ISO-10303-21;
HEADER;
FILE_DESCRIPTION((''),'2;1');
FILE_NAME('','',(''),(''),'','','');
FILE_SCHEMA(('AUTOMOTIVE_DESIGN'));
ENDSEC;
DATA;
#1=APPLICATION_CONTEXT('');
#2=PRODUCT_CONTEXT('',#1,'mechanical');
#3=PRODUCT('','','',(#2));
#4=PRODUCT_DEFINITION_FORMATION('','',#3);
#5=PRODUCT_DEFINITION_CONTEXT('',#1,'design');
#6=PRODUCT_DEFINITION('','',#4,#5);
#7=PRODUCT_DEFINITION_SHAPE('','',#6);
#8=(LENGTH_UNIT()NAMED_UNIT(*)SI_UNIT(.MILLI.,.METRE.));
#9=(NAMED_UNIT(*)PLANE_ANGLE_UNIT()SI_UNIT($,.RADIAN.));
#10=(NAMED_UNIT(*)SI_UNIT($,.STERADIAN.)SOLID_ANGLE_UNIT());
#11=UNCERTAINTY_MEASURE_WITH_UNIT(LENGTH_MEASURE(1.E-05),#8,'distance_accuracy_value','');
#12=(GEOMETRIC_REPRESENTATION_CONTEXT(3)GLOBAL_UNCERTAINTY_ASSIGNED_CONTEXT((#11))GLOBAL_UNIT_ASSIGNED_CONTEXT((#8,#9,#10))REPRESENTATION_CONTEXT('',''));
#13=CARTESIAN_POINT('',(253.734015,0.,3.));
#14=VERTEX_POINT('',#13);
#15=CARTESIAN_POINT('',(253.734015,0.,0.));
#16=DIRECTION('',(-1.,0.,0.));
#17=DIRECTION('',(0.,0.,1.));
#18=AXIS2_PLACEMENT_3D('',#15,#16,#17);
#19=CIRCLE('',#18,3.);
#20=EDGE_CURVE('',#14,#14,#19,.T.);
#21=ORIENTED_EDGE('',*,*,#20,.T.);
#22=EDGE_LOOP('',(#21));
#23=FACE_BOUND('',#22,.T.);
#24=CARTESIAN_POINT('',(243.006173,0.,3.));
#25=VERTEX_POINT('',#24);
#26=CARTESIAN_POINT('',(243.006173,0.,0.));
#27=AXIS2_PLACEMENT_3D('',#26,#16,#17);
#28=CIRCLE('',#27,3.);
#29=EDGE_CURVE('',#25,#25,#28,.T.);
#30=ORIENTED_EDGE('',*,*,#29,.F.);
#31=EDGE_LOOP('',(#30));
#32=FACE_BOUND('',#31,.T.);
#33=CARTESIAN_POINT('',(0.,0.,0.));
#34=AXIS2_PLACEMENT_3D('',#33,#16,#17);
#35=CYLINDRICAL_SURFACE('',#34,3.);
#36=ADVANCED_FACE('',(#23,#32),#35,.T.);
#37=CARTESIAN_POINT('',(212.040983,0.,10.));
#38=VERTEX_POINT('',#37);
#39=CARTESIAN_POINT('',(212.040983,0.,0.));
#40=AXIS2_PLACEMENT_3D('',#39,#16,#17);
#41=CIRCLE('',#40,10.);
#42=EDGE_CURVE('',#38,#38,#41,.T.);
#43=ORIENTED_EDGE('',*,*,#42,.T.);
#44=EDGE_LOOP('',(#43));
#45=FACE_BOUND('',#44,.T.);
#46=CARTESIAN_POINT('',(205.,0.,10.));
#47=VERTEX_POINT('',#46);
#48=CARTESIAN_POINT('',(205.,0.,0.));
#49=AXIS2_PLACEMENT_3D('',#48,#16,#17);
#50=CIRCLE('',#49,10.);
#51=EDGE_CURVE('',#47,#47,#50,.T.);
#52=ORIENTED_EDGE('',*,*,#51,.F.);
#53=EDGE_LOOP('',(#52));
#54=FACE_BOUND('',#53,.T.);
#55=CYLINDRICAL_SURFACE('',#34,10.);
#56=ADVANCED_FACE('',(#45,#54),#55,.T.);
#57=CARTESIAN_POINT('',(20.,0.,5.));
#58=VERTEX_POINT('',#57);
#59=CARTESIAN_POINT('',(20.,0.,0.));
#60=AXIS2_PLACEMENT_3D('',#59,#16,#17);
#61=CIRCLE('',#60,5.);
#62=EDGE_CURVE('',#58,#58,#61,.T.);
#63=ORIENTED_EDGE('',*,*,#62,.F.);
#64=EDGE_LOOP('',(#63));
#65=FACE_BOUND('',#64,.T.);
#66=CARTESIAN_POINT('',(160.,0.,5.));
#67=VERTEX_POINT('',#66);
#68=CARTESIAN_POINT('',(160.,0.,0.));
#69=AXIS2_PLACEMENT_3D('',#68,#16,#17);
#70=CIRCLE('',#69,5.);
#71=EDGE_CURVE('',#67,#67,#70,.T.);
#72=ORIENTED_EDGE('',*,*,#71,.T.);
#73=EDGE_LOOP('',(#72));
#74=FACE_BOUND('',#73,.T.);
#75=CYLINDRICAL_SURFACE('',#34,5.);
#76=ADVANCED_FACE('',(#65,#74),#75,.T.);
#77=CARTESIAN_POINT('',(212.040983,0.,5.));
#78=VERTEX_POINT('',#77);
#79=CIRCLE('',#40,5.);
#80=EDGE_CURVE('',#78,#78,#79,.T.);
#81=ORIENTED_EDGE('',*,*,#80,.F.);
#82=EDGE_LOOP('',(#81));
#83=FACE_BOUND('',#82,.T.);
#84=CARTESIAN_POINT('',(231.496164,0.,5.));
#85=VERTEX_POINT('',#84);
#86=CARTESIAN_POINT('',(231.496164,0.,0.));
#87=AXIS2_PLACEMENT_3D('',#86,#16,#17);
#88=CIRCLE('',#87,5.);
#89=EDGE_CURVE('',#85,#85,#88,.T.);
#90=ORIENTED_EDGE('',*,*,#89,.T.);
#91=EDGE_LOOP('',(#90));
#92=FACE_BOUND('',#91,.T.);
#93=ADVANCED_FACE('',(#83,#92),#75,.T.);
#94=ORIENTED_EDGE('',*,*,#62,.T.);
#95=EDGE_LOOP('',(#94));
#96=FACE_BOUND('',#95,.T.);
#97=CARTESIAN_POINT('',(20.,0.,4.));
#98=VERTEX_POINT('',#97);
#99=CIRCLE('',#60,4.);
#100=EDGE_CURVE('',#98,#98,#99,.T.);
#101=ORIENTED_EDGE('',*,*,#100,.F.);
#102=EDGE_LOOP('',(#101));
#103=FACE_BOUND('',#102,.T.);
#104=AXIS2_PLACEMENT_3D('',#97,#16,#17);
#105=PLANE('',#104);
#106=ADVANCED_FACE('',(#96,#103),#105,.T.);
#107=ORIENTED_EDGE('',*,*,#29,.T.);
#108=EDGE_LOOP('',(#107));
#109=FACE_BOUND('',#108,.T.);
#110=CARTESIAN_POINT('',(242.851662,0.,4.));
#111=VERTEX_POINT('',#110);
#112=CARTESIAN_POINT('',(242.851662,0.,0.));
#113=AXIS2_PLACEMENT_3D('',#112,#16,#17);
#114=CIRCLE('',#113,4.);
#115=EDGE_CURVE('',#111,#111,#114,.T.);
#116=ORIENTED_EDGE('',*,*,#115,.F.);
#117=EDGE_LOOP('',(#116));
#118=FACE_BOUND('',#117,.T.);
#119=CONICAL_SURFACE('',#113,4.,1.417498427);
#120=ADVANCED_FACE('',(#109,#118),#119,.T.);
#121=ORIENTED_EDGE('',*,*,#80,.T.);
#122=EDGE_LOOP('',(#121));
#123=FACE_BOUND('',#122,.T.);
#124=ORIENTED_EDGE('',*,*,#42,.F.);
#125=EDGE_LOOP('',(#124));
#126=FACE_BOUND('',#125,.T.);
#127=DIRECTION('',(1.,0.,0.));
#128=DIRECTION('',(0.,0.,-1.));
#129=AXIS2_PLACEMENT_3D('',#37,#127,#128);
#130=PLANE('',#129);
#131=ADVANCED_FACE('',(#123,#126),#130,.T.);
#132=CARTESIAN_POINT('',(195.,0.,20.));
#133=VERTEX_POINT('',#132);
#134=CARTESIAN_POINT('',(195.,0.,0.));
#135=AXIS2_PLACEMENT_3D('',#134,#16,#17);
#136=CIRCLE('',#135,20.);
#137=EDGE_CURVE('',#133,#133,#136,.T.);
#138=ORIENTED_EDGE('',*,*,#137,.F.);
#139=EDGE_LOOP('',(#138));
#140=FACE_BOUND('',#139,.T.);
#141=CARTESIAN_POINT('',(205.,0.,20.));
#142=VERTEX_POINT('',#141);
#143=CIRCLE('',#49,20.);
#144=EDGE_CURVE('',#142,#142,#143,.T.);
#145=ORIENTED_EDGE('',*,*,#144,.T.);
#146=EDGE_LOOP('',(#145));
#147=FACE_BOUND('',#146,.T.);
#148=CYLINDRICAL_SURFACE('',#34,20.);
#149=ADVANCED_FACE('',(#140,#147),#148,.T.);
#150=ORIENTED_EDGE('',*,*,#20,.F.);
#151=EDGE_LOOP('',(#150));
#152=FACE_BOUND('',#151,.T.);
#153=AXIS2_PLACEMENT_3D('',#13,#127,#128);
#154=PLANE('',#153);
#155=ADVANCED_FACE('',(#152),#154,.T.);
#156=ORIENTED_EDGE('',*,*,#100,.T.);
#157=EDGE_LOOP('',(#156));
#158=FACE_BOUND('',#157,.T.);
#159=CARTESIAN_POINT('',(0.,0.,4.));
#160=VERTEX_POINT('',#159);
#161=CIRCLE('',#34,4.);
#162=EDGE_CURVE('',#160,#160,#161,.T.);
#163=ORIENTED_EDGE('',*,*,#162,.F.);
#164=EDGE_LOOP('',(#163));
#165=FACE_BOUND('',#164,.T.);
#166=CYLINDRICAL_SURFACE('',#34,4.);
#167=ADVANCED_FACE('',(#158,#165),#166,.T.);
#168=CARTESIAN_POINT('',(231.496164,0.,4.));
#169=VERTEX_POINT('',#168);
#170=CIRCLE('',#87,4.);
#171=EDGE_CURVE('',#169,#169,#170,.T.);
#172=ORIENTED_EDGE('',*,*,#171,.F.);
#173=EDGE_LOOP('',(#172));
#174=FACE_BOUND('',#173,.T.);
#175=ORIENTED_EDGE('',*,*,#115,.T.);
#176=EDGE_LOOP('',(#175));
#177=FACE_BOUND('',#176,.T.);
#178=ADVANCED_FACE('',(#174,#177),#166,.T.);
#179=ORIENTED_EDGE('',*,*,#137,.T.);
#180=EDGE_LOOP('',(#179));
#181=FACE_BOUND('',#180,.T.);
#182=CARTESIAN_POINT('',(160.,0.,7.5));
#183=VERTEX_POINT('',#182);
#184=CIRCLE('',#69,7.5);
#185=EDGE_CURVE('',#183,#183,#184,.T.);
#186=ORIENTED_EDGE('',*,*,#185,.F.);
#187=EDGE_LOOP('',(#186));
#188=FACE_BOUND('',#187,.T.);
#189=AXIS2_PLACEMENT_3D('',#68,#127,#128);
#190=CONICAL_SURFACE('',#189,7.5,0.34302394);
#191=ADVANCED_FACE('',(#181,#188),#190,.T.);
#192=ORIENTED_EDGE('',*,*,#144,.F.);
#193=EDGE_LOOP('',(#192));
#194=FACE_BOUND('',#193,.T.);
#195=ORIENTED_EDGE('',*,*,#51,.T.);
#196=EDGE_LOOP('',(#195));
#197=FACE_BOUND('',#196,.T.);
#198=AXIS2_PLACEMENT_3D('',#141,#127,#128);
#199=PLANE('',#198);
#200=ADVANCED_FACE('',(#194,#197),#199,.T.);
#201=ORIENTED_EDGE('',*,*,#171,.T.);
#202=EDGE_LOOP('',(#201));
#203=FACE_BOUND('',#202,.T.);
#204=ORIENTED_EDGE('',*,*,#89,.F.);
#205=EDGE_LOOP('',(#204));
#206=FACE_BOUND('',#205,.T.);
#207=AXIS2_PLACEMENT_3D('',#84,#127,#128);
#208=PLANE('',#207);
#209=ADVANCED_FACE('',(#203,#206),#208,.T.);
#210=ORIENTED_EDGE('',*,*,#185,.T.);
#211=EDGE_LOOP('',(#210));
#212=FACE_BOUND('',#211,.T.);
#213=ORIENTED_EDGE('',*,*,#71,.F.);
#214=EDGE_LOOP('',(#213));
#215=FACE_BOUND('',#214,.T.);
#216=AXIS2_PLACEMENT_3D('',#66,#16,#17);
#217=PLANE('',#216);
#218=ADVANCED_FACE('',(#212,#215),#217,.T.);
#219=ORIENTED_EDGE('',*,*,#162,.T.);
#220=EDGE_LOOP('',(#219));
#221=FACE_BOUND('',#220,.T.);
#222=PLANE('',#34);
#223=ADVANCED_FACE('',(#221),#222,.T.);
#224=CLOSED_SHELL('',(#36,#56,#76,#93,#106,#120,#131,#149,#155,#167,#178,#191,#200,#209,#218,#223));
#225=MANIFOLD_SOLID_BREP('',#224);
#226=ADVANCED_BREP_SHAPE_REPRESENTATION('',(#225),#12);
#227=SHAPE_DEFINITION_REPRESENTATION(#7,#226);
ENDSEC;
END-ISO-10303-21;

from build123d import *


with BuildPart() as part:
    # Sketch1 → Revolve1 (revolve)
    with BuildSketch(Plane(origin=(0, 0, 0), x_dir=(1, 0, 0), z_dir=(0, 1, 0))):
        Polygon((0, 0), (0, -4), (20, -4), (20, -5), (160, -5), (160, -7.5), (195, -20), (205, -20), (205, -10), (212.040983142, -10), (212.040983142, -5), (231.496163683, -5), (231.496163683, -4), (242.851662404, -4), (243.006172547, -3), (253.734015345, -3), (253.734015345, 0), align=None)
    revolve(axis=Axis((0, 0, 0), (1, 0, 0)))


solid = part.part
